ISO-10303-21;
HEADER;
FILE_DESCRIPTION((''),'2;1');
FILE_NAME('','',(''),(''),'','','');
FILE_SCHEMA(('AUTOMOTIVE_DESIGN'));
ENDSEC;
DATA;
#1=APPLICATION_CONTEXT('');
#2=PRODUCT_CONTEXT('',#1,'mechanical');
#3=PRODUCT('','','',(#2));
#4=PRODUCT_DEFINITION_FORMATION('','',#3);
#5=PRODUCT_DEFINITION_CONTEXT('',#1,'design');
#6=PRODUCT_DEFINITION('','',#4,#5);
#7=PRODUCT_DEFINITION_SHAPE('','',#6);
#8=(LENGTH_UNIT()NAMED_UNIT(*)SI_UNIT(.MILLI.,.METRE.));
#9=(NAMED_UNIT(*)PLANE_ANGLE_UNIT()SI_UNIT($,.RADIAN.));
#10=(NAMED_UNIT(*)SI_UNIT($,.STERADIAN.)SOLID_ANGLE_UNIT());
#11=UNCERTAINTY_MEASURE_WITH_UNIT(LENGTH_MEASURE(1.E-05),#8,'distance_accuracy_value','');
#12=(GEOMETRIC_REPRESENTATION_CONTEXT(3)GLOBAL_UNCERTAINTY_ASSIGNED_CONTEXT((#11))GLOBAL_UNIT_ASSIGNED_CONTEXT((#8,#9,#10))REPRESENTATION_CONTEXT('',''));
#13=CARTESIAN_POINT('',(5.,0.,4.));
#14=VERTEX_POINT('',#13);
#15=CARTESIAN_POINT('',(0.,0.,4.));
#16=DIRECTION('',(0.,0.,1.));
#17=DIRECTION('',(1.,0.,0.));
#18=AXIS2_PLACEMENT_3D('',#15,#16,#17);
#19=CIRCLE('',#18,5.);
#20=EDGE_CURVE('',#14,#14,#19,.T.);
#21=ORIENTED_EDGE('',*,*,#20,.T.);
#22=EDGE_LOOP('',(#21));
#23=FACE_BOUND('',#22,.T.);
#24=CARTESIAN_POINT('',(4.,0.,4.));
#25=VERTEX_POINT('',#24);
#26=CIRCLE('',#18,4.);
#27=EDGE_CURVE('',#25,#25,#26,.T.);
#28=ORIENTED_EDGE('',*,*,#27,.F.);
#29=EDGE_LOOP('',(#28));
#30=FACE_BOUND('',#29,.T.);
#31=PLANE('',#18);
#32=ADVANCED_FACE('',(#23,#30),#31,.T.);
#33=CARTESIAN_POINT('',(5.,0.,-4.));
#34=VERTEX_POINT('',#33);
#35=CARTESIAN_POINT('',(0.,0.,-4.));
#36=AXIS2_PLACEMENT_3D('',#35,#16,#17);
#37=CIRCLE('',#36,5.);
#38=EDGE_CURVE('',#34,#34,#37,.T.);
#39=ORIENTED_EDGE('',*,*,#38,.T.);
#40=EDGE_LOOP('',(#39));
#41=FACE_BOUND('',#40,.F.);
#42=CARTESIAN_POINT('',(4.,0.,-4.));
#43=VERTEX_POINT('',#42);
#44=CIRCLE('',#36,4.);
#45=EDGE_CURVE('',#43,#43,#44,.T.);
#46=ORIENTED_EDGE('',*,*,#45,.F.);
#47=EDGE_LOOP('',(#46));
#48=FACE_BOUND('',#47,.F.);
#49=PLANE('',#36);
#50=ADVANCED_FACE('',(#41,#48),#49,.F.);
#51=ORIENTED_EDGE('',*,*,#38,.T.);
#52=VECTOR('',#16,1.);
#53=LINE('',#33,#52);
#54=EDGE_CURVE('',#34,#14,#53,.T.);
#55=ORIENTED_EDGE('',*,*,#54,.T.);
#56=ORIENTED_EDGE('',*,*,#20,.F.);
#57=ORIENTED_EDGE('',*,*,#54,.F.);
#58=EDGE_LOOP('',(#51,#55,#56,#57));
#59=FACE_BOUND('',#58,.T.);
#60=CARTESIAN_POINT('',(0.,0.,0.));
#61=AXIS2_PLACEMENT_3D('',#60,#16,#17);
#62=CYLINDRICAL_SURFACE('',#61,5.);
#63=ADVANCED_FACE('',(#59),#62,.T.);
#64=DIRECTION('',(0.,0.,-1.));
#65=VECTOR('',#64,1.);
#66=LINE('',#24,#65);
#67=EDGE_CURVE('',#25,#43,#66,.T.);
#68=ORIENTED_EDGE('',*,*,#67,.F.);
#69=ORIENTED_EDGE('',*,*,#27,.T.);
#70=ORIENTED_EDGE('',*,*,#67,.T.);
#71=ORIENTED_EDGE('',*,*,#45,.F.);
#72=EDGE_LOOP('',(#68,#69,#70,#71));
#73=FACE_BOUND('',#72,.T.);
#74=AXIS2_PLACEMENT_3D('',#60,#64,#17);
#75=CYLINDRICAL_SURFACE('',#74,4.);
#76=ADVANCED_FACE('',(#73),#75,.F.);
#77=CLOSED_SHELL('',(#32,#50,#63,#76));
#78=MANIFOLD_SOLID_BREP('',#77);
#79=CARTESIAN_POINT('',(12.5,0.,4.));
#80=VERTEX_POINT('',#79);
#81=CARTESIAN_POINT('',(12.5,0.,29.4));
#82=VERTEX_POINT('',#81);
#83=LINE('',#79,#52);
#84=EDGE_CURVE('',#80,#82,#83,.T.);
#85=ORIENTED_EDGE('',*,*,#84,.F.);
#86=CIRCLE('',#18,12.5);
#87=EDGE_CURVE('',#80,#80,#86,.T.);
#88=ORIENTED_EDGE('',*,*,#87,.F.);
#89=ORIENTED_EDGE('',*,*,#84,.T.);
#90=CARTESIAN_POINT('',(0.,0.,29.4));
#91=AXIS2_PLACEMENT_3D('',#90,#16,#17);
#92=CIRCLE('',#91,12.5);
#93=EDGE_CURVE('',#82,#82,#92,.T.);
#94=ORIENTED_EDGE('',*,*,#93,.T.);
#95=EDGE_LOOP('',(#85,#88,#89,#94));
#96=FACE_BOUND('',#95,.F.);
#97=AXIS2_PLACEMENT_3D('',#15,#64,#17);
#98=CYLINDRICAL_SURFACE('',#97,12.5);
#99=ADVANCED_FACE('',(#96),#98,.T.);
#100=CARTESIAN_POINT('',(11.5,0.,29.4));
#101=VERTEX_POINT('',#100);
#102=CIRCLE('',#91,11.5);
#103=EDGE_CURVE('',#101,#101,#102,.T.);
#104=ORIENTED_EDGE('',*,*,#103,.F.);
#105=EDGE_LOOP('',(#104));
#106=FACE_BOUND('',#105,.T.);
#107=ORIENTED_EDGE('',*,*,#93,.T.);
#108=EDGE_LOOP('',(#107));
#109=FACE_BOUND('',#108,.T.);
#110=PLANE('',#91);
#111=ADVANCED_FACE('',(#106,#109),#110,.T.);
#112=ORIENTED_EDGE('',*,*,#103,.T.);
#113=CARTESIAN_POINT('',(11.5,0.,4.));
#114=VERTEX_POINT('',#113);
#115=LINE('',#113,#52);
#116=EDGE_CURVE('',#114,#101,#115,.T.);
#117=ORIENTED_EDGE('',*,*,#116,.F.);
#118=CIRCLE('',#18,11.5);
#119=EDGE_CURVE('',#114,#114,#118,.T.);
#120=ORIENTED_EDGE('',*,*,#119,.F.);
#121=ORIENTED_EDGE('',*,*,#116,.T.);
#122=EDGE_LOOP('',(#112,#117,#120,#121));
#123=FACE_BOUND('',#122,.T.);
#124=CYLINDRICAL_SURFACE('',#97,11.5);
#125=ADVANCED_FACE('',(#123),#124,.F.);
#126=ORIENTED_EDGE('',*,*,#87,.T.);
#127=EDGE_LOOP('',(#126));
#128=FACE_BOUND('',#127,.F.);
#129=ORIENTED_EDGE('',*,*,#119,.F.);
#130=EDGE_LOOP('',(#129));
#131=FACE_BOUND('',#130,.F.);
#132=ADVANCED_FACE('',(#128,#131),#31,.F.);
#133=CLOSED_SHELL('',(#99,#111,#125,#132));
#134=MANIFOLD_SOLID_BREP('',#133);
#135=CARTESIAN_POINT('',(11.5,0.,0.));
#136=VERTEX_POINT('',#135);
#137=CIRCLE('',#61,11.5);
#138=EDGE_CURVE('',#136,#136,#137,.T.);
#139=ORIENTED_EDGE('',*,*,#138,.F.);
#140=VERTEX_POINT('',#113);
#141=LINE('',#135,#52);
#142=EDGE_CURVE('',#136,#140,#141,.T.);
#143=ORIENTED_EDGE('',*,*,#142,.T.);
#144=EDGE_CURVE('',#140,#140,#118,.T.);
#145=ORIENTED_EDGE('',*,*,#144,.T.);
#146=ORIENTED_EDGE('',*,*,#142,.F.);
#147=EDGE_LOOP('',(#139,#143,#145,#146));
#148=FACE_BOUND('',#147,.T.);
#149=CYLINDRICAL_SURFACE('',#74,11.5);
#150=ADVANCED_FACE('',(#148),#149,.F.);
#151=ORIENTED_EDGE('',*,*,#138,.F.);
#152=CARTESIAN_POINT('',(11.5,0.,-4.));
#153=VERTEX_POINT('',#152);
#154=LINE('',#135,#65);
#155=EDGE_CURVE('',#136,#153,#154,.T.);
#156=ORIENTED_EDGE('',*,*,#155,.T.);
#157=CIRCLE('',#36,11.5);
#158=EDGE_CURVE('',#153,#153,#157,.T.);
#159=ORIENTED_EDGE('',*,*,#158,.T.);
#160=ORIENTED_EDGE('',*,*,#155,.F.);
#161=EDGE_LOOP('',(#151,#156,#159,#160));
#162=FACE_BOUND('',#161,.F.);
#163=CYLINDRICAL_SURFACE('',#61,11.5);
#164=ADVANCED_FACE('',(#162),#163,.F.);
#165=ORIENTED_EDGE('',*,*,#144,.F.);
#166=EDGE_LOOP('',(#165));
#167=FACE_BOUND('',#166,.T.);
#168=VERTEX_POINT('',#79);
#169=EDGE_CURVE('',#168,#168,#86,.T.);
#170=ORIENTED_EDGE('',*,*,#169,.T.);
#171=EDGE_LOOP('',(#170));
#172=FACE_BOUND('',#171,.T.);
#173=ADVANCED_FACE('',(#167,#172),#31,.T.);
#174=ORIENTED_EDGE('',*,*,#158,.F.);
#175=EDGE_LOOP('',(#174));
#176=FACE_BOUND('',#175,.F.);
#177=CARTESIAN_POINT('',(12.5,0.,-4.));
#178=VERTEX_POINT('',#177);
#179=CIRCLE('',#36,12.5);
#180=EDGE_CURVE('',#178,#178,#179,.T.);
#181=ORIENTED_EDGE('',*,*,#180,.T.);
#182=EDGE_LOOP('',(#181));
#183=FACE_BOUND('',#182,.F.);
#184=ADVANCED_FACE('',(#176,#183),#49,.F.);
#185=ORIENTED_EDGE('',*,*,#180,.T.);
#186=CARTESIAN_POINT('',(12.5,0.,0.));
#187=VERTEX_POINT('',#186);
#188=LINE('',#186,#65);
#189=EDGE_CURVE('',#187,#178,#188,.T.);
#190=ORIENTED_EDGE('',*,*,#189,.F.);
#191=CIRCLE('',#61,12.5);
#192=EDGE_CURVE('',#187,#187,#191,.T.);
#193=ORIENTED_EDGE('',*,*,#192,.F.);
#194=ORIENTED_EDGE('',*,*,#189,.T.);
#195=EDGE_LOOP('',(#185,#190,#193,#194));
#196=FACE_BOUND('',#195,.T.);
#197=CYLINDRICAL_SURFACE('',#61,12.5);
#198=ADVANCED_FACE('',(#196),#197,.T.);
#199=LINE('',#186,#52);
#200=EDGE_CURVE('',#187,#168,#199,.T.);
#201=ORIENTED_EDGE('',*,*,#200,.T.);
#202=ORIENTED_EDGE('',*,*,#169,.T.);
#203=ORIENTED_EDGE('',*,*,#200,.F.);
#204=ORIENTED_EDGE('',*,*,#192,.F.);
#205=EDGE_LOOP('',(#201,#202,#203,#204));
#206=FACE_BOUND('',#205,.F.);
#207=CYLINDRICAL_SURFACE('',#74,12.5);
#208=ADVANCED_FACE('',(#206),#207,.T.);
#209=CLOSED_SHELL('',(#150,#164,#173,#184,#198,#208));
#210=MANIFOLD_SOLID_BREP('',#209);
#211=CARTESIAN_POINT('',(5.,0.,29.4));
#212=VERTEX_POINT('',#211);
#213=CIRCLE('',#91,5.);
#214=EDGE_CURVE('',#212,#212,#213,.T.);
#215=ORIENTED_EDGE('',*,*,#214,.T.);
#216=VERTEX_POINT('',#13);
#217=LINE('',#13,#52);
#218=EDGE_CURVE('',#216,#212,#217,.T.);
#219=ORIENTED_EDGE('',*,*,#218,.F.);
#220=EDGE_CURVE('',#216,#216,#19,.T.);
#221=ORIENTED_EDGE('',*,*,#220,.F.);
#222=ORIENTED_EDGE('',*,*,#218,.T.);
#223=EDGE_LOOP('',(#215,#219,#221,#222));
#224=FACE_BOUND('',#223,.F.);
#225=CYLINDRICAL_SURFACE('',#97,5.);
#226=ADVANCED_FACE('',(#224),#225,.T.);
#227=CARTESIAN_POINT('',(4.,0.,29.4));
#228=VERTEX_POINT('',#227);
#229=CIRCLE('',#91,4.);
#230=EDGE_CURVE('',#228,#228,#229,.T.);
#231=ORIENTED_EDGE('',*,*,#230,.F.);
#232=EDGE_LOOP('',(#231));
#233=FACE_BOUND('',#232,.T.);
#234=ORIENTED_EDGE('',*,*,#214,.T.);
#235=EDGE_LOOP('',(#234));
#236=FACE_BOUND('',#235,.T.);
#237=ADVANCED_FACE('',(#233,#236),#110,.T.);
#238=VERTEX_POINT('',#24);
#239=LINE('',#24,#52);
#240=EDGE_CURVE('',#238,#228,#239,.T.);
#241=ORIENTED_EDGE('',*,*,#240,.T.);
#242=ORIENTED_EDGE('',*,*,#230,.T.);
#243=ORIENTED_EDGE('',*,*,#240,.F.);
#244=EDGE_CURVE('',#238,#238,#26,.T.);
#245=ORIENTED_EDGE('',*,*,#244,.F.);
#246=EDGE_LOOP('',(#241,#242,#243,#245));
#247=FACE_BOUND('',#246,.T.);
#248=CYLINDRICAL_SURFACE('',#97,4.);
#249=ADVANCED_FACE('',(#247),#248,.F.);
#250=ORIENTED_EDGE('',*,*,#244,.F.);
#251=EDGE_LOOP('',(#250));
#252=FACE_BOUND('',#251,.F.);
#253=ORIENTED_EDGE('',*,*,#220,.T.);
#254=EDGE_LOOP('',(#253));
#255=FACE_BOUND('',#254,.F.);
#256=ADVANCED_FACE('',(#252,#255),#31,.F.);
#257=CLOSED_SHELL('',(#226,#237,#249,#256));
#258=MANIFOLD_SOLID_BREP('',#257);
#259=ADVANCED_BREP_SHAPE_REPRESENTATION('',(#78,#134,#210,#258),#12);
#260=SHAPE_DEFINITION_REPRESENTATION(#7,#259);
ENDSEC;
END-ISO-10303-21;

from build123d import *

# Parameters (mm, degrees)
F0_R        = 12.5
F0_R_2      = 11.5
F0_R_3      = 5
F0_R_4      = 4
F1_DEPTH    = 4
F2_R        = 5
F2_R_2      = 4
F1_FACE_R   = 12.5
F1_FACE_R_2 = 11.5
F3_DEPTH    = 25.4


with BuildPart() as f1:
    # F0 (on Top) → F1 (new body, symmetric)
    with BuildSketch(Plane.XY):
        Circle(F0_R)
        Circle(F0_R_2, mode=Mode.SUBTRACT)
        Circle(F0_R_3)
        Circle(F0_R_4, mode=Mode.SUBTRACT)
    extrude(amount=F1_DEPTH, both=True)


with BuildPart() as f3:
    # F2 (on face) + F1_face (on face) → F3 (new body)
    with BuildSketch(Plane.XY.offset(4)):
        Circle(F2_R)
        Circle(F2_R_2, mode=Mode.SUBTRACT)
    with BuildSketch(Plane.XY.offset(4)):
        Circle(F1_FACE_R)
        Circle(F1_FACE_R_2, mode=Mode.SUBTRACT)
    extrude(amount=F3_DEPTH)


solid = Compound([f1.part, f3.part])
